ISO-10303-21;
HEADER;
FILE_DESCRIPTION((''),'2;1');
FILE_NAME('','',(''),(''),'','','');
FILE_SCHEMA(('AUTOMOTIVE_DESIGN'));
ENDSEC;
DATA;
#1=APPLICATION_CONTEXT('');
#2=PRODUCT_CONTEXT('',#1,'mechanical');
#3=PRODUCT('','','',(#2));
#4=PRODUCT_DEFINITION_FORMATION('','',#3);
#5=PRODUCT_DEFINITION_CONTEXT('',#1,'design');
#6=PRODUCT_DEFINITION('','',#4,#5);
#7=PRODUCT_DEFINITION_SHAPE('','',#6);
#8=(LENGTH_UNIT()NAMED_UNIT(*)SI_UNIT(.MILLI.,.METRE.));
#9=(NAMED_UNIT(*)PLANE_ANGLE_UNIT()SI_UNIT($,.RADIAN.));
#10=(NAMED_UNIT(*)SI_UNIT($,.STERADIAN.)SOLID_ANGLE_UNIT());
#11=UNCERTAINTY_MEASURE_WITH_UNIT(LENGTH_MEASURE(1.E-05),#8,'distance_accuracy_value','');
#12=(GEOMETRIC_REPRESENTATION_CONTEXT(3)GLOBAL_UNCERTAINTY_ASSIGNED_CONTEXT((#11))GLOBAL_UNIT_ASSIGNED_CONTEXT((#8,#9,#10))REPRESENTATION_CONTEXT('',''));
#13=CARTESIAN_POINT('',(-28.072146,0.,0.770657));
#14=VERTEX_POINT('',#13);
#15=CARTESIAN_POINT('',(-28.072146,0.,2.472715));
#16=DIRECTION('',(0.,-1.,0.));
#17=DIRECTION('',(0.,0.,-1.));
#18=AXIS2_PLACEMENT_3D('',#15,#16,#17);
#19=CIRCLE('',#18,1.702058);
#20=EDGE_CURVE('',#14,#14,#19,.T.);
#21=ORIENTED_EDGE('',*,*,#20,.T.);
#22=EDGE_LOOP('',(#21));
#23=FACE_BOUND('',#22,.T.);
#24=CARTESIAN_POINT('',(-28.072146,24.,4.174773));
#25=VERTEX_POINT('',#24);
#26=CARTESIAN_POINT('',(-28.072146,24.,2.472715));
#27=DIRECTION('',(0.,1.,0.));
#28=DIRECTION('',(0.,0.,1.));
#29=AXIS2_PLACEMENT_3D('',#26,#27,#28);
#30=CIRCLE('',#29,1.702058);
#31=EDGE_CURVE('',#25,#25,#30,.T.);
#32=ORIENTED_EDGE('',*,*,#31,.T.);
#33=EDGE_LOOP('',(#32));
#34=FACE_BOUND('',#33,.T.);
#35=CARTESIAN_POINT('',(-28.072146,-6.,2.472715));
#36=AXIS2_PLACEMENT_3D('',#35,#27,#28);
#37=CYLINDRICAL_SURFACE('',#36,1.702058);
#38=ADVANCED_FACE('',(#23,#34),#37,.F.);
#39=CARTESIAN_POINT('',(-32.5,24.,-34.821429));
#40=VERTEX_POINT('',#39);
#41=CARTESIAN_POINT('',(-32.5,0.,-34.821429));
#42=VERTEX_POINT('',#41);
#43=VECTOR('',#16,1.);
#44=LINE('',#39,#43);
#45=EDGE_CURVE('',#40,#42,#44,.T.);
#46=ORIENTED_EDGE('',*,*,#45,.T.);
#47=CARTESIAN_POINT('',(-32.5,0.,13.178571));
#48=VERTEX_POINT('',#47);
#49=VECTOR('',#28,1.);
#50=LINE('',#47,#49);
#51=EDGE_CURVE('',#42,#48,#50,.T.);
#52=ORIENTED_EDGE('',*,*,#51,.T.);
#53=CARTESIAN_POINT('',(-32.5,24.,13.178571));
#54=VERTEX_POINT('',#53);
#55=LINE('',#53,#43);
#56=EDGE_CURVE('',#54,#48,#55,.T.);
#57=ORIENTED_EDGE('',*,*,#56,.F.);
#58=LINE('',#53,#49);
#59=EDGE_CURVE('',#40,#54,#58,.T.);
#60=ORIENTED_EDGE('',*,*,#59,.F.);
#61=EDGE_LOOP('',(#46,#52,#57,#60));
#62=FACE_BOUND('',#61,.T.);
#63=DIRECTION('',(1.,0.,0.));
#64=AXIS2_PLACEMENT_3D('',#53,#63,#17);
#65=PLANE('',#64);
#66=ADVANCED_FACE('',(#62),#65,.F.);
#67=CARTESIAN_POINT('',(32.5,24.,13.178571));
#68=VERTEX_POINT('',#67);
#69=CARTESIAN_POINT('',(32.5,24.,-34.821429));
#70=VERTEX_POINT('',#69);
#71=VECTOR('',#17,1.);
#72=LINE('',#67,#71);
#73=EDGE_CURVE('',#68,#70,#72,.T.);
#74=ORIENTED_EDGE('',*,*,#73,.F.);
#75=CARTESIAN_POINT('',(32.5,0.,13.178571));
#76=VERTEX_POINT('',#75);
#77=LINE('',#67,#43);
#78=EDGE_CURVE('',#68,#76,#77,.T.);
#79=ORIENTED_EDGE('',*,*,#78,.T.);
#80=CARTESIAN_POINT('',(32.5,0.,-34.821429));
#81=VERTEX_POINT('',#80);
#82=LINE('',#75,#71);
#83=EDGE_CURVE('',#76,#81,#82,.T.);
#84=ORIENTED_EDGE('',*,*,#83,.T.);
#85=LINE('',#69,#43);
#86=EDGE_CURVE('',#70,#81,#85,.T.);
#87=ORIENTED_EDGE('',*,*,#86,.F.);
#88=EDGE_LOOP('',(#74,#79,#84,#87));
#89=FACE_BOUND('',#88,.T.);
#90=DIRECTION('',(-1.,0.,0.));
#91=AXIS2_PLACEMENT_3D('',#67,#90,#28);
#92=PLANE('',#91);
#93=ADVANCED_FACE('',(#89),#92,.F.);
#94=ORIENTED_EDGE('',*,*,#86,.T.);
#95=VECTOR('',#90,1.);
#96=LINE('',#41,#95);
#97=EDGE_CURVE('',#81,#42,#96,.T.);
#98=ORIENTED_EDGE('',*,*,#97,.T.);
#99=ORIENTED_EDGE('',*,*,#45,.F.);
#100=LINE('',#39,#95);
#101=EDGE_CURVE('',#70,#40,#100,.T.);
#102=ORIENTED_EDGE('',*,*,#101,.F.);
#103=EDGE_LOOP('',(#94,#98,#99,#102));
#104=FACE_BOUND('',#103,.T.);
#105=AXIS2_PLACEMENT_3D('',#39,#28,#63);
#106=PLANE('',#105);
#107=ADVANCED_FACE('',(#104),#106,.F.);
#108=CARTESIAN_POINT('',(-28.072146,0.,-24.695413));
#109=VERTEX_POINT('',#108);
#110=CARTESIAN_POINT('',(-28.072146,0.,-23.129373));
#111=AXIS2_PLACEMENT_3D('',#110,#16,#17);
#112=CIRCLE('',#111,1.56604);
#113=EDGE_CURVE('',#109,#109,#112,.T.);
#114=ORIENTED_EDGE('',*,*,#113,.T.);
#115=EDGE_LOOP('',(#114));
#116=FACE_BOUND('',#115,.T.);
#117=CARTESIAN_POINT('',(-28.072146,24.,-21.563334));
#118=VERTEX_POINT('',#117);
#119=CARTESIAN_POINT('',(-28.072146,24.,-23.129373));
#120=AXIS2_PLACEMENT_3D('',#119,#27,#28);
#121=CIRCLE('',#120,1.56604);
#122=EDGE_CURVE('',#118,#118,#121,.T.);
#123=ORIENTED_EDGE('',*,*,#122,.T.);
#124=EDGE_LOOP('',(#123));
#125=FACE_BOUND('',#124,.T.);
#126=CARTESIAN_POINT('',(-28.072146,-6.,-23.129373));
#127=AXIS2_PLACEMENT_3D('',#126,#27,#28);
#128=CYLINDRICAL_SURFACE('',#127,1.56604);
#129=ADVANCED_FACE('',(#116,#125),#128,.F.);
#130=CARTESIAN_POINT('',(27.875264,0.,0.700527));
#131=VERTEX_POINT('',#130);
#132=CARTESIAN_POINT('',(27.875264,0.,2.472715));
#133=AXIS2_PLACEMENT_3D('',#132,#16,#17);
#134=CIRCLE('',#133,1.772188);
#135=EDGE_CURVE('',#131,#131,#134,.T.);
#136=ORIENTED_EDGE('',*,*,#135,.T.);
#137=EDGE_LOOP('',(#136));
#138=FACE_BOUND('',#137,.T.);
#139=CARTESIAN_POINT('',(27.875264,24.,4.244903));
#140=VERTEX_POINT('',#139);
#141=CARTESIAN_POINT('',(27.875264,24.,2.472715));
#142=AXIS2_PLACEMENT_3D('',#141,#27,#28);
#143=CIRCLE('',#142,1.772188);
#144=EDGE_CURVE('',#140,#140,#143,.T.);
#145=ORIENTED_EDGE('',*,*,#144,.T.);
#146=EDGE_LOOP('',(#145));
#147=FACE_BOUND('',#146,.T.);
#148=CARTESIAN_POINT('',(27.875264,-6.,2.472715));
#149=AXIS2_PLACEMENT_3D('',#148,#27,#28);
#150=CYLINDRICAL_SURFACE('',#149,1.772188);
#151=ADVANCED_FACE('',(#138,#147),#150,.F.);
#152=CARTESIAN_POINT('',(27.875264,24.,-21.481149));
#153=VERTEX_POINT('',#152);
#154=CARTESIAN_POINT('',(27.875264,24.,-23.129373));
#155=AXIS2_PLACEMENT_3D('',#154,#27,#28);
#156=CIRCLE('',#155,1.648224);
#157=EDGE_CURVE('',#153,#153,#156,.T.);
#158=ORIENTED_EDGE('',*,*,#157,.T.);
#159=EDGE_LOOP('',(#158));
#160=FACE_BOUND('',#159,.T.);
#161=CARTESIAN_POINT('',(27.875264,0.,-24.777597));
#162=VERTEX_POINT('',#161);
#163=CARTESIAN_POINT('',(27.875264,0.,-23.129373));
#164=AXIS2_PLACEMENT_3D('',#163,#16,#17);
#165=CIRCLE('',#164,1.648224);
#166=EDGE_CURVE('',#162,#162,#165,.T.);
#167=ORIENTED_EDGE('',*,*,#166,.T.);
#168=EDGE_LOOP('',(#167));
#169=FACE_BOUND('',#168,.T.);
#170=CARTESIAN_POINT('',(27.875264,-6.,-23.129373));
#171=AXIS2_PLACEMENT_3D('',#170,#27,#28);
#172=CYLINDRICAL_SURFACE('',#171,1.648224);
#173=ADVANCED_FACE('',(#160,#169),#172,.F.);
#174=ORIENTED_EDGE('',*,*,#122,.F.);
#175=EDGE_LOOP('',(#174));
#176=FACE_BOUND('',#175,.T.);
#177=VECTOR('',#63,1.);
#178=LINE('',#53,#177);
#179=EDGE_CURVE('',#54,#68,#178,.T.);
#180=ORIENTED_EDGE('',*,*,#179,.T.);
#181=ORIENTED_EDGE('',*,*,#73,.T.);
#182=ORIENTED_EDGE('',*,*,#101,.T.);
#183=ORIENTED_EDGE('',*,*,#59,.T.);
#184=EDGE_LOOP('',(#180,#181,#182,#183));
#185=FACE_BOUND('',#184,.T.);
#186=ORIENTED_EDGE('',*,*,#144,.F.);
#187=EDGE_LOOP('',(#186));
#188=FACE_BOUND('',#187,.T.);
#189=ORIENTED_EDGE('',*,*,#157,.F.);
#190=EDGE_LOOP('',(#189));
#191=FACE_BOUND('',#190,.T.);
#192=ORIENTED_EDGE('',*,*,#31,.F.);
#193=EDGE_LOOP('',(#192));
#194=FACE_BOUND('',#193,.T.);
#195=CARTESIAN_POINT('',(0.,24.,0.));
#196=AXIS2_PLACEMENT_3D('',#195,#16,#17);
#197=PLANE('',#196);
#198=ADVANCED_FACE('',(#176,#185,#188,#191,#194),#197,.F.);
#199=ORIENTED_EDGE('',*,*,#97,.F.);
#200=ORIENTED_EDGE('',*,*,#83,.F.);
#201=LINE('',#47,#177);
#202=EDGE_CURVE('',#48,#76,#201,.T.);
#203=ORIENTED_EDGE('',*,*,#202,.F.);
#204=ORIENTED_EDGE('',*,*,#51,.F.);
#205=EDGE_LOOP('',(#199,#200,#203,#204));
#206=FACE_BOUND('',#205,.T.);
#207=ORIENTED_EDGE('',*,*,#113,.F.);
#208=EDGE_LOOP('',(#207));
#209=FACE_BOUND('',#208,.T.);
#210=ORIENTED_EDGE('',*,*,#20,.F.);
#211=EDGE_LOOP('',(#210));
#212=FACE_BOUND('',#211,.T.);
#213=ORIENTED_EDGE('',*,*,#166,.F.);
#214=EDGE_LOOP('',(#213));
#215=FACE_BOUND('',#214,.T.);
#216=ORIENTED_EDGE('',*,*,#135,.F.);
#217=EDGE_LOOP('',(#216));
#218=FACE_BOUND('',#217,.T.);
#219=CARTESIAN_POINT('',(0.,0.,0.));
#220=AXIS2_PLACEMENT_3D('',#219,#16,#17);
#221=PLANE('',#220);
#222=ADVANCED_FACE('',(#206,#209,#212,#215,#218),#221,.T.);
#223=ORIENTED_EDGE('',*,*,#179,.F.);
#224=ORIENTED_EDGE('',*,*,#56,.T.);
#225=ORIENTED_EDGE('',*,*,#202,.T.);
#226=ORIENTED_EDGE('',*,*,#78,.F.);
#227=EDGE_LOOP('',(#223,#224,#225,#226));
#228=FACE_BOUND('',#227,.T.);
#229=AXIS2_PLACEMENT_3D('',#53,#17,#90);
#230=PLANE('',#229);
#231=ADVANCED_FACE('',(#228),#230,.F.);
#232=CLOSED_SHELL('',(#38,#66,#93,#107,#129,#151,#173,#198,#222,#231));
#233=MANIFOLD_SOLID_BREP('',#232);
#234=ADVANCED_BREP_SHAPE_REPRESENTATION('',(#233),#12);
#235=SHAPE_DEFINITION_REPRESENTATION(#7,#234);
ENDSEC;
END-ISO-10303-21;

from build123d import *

# Parameters (mm, degrees)
SKETCH1_W           = 65
SKETCH1_H           = 48
BOSS_EXTRUDE2_DEPTH = 24
SKETCH2_R           = 1.566039554
SKETCH2_R_2         = 1.648224053
SKETCH2_R_3         = 1.77218792
SKETCH2_R_4         = 1.702058057
CUT_EXTRUDE1_DEPTH  = 30


with BuildPart() as part:
    # Sketch1 → Boss-Extrude2 (new body)
    with BuildSketch(Plane(origin=(0, 0, 0), x_dir=(1, 0, 0), z_dir=(0, 1, 0))):
        with Locations((0, 10.821428571)):
            Rectangle(SKETCH1_W, SKETCH1_H)
    extrude(amount=BOSS_EXTRUDE2_DEPTH)

    # Sketch2 → Cut-Extrude1 (cut)
    with BuildSketch(Plane(origin=(0, 24, 0), x_dir=(1, 0, 0), z_dir=(0, 1, 0))):
        with Locations((-28.072146294, 23.129373379)):
            Circle(SKETCH2_R)
        with Locations((27.875263864, 23.129373379)):
            Circle(SKETCH2_R_2)
        with Locations((27.875263864, -2.472714992)):
            Circle(SKETCH2_R_3)
        with Locations((-28.072146294, -2.472714992)):
            Circle(SKETCH2_R_4)
    extrude(amount=-CUT_EXTRUDE1_DEPTH, mode=Mode.SUBTRACT)


solid = part.part
